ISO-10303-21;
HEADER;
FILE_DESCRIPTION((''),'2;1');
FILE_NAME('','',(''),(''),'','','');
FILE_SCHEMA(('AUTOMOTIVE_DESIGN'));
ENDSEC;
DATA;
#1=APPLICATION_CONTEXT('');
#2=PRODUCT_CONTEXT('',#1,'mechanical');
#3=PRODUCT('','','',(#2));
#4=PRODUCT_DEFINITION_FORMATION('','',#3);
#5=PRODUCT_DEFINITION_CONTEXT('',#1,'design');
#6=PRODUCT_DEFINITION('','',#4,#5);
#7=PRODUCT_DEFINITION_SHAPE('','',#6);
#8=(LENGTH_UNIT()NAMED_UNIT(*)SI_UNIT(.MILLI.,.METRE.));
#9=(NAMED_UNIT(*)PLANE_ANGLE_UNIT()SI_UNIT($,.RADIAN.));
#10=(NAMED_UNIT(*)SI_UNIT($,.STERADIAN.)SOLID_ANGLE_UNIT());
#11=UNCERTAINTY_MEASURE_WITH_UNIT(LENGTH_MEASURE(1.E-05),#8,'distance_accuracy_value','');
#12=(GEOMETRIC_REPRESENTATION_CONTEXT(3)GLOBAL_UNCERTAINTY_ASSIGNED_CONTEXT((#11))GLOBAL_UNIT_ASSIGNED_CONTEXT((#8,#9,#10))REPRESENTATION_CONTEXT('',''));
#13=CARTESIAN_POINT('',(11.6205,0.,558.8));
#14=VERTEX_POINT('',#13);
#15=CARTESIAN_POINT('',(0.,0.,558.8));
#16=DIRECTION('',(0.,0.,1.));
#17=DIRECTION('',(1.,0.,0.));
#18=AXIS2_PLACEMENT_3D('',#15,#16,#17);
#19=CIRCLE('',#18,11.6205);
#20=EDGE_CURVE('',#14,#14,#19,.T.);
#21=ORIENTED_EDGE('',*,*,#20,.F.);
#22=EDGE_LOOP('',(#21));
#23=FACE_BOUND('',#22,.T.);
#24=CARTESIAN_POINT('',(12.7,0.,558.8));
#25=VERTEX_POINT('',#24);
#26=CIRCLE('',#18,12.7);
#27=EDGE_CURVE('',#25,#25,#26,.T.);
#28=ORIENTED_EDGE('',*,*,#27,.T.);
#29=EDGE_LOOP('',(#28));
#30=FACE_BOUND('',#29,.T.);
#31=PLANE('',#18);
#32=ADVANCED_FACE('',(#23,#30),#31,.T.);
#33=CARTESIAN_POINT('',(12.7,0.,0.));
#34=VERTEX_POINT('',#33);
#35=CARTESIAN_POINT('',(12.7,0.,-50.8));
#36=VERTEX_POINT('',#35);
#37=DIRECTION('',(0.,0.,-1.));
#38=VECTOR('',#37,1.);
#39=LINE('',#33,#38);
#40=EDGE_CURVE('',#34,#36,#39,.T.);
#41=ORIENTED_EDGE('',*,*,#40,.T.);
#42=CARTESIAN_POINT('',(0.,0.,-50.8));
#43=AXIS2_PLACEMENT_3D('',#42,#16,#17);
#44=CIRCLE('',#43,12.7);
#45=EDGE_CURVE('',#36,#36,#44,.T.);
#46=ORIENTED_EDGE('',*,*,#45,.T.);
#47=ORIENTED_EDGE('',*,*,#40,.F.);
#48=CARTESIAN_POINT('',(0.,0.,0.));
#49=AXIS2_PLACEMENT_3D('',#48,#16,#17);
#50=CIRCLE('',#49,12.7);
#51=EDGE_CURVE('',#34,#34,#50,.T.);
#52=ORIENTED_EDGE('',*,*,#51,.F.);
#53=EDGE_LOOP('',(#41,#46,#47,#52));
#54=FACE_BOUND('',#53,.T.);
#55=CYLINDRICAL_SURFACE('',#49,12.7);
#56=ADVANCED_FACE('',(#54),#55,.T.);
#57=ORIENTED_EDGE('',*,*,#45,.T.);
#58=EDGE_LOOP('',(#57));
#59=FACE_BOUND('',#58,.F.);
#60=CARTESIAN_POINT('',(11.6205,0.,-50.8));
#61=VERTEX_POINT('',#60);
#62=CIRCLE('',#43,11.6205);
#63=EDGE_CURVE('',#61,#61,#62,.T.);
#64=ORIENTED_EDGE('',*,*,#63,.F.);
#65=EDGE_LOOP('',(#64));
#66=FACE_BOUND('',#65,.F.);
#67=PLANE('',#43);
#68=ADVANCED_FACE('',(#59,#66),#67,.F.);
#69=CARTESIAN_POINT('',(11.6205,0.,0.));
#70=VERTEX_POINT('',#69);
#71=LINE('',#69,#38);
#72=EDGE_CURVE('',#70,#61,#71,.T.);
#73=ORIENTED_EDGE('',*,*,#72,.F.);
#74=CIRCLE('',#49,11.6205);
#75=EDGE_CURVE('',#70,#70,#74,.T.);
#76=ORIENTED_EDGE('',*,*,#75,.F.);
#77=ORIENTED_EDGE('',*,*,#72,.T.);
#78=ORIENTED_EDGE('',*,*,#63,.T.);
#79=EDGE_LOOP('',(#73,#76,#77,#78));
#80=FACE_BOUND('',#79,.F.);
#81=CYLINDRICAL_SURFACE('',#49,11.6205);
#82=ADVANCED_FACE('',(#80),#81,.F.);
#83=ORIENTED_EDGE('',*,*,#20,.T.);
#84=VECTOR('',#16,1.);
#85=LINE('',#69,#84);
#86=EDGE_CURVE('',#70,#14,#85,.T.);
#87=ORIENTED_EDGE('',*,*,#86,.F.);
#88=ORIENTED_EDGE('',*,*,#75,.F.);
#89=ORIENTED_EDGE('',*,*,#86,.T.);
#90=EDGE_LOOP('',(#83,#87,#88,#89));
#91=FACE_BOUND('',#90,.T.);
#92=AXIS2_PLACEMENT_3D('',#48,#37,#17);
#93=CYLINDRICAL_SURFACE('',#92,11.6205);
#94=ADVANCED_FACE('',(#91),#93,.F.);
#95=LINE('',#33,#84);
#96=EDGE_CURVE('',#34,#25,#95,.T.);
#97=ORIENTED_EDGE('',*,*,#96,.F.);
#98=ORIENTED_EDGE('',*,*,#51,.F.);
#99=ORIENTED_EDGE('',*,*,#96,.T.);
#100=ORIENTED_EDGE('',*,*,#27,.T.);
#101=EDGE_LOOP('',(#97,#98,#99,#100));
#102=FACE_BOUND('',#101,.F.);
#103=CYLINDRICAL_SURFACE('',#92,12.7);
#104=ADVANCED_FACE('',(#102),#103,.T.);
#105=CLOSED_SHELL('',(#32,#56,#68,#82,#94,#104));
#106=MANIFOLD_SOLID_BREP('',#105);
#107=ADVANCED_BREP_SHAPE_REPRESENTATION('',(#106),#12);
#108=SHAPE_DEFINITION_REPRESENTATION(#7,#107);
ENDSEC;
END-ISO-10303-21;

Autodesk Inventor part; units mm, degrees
ref_plane "YZ Plane" through (0, 0, 0) normal (1, 0, 0) x (0, 1, 0)
ref_plane "XZ Plane" through (0, 0, 0) normal (0, 1, 0) x (-1, 0, 0)
ref_plane "XY Plane" through (0, 0, 0) normal (0, 0, 1) x (1, 0, 0)
sketch "Sketch1" plane through (0, 0, 0) normal (0, 0, 1) x (1, 0, 0)
  circle A0 centre (0, 0) radius 12.7
  circle A1 centre (0, 0) radius 11.6205
  dimension "d0" = 25.4
  dimension "d1" = 23.241
extrude "Extrusion1" add sketch "Sketch1" along normal blind 558.8 and the other way blind 50.8
properties part number "upperArmTube" material "CFRP"
